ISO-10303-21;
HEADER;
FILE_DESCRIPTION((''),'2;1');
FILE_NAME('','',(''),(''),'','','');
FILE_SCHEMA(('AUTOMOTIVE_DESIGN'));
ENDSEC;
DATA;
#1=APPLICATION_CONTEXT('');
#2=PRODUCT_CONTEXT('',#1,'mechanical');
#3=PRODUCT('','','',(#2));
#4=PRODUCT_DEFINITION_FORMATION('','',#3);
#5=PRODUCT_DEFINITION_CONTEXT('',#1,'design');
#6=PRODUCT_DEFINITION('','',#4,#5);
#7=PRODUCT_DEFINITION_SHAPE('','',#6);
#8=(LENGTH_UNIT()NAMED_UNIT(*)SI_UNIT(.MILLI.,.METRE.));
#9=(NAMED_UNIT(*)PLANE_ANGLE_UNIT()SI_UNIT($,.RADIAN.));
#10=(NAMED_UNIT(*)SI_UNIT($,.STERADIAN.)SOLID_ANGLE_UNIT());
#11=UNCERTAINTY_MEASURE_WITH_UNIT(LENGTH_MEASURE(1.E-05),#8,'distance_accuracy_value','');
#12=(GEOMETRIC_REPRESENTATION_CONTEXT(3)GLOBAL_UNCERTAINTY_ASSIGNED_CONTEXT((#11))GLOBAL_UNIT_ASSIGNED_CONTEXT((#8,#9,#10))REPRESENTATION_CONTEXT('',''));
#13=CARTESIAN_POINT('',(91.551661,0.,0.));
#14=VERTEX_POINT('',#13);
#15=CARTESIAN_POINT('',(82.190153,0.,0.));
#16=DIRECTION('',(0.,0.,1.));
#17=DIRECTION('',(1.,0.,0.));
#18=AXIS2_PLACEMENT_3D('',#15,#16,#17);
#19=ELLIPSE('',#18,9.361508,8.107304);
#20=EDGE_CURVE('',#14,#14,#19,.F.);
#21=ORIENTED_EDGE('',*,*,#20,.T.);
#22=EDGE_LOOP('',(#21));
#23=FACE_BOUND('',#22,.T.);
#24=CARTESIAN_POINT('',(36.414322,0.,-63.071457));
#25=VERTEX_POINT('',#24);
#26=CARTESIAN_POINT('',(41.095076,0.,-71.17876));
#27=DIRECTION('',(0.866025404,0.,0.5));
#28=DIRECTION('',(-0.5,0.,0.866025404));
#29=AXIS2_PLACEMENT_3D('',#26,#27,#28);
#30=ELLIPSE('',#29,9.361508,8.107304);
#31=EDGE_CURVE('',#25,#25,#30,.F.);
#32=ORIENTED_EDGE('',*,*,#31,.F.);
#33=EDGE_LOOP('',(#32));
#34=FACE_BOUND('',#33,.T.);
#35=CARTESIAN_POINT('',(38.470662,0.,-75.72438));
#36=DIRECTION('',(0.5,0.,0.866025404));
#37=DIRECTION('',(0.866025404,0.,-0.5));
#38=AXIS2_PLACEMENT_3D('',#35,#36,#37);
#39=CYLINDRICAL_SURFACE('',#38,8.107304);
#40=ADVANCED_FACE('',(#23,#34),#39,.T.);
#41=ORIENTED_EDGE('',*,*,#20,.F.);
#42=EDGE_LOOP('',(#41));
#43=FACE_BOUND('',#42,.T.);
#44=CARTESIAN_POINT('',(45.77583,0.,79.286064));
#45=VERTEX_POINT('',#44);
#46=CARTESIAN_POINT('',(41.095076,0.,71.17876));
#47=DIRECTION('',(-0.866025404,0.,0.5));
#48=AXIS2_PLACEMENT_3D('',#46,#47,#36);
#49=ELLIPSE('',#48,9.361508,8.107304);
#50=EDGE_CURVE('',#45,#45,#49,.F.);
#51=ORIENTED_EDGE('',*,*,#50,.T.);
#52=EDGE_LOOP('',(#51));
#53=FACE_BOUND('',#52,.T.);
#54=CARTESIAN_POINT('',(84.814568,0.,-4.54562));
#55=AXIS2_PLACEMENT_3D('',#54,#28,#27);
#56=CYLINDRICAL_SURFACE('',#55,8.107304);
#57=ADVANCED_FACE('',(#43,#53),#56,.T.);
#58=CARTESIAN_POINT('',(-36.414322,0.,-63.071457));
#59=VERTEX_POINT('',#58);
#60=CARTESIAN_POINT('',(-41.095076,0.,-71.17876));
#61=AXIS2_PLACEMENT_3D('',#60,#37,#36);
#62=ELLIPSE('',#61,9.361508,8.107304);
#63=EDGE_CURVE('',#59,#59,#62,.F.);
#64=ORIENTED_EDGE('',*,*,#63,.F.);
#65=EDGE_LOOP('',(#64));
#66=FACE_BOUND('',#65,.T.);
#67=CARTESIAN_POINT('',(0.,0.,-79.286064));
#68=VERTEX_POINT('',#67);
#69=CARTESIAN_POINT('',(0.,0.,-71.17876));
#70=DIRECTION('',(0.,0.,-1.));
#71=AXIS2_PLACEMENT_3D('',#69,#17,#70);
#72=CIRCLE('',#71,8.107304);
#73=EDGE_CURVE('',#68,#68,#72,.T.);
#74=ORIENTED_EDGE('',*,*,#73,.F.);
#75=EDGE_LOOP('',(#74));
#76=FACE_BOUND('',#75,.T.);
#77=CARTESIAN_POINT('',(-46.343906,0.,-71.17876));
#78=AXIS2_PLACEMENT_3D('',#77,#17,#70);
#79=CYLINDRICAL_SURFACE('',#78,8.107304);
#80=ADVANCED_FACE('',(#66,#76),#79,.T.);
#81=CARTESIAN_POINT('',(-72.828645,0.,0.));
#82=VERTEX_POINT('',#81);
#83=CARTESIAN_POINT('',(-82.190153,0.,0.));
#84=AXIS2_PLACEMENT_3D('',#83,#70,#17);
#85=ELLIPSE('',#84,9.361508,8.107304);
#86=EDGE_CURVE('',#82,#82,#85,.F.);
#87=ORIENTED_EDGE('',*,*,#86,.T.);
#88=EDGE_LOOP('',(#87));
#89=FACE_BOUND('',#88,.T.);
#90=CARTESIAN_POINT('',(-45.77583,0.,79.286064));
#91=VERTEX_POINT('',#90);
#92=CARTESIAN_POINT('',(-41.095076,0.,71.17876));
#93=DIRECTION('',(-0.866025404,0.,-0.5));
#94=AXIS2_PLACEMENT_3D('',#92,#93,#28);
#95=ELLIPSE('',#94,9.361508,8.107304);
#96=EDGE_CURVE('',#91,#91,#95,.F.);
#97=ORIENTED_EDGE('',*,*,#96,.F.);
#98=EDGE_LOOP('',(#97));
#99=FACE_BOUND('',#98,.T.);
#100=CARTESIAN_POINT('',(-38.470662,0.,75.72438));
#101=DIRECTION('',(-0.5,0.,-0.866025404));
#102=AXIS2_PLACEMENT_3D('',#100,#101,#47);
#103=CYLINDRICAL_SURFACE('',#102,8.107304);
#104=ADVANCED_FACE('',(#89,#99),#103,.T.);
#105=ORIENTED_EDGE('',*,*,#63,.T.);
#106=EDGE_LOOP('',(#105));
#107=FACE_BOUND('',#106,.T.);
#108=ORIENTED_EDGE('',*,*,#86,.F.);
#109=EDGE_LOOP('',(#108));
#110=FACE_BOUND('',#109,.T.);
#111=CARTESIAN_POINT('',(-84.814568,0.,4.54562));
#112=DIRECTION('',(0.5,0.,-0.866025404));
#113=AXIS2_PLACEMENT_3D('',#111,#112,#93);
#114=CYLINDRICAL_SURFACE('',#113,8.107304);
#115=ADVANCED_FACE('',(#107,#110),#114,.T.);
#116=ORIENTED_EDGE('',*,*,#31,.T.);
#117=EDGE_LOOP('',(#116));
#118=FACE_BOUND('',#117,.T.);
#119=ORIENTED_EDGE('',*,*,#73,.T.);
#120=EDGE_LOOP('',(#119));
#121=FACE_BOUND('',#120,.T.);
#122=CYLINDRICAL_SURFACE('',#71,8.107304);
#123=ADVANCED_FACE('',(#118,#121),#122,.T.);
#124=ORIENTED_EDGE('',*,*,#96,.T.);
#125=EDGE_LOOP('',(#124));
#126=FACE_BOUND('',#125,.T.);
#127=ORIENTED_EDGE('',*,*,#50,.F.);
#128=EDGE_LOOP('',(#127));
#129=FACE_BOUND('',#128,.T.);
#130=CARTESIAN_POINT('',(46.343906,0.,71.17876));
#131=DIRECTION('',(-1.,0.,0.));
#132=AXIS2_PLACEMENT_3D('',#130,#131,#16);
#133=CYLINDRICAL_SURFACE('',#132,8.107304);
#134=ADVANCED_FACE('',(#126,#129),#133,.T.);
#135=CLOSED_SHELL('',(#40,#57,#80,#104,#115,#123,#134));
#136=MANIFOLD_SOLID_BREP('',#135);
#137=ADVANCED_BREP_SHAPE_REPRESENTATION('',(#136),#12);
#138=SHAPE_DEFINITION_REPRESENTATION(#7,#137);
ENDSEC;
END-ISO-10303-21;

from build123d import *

# Parameters (mm, degrees)
SKETCH2_R = 8.107303668


with BuildPart() as part:
    # Sweep1: sweep along a path in Sketch1
    with BuildLine(Plane(origin=(0, 0, 0), x_dir=(1, 0, 0), z_dir=(0, 1, 0))) as sweep1_path:
        Line((41.095076423, 71.178760306), (-41.095076423, 71.178760306))
        Line((-41.095076423, 71.178760306), (-82.190152847, 0))
        Line((-82.190152847, 0), (-41.095076423, -71.178760306))
        Line((-41.095076423, -71.178760306), (41.095076423, -71.178760306))
        Line((41.095076423, -71.178760306), (82.190152847, 0))
        Line((82.190152847, 0), (41.095076423, 71.178760306))
    # Sketch2 → Sweep1 (sweep)
    with BuildSketch(Plane(origin=(0, 0, 0), x_dir=(0, 0, -1), z_dir=(1, 0, 0))):
        with Locations((71.178760306, 0)):
            Circle(SKETCH2_R)
    sweep(path=sweep1_path.line, transition=Transition.RIGHT)


solid = part.part
